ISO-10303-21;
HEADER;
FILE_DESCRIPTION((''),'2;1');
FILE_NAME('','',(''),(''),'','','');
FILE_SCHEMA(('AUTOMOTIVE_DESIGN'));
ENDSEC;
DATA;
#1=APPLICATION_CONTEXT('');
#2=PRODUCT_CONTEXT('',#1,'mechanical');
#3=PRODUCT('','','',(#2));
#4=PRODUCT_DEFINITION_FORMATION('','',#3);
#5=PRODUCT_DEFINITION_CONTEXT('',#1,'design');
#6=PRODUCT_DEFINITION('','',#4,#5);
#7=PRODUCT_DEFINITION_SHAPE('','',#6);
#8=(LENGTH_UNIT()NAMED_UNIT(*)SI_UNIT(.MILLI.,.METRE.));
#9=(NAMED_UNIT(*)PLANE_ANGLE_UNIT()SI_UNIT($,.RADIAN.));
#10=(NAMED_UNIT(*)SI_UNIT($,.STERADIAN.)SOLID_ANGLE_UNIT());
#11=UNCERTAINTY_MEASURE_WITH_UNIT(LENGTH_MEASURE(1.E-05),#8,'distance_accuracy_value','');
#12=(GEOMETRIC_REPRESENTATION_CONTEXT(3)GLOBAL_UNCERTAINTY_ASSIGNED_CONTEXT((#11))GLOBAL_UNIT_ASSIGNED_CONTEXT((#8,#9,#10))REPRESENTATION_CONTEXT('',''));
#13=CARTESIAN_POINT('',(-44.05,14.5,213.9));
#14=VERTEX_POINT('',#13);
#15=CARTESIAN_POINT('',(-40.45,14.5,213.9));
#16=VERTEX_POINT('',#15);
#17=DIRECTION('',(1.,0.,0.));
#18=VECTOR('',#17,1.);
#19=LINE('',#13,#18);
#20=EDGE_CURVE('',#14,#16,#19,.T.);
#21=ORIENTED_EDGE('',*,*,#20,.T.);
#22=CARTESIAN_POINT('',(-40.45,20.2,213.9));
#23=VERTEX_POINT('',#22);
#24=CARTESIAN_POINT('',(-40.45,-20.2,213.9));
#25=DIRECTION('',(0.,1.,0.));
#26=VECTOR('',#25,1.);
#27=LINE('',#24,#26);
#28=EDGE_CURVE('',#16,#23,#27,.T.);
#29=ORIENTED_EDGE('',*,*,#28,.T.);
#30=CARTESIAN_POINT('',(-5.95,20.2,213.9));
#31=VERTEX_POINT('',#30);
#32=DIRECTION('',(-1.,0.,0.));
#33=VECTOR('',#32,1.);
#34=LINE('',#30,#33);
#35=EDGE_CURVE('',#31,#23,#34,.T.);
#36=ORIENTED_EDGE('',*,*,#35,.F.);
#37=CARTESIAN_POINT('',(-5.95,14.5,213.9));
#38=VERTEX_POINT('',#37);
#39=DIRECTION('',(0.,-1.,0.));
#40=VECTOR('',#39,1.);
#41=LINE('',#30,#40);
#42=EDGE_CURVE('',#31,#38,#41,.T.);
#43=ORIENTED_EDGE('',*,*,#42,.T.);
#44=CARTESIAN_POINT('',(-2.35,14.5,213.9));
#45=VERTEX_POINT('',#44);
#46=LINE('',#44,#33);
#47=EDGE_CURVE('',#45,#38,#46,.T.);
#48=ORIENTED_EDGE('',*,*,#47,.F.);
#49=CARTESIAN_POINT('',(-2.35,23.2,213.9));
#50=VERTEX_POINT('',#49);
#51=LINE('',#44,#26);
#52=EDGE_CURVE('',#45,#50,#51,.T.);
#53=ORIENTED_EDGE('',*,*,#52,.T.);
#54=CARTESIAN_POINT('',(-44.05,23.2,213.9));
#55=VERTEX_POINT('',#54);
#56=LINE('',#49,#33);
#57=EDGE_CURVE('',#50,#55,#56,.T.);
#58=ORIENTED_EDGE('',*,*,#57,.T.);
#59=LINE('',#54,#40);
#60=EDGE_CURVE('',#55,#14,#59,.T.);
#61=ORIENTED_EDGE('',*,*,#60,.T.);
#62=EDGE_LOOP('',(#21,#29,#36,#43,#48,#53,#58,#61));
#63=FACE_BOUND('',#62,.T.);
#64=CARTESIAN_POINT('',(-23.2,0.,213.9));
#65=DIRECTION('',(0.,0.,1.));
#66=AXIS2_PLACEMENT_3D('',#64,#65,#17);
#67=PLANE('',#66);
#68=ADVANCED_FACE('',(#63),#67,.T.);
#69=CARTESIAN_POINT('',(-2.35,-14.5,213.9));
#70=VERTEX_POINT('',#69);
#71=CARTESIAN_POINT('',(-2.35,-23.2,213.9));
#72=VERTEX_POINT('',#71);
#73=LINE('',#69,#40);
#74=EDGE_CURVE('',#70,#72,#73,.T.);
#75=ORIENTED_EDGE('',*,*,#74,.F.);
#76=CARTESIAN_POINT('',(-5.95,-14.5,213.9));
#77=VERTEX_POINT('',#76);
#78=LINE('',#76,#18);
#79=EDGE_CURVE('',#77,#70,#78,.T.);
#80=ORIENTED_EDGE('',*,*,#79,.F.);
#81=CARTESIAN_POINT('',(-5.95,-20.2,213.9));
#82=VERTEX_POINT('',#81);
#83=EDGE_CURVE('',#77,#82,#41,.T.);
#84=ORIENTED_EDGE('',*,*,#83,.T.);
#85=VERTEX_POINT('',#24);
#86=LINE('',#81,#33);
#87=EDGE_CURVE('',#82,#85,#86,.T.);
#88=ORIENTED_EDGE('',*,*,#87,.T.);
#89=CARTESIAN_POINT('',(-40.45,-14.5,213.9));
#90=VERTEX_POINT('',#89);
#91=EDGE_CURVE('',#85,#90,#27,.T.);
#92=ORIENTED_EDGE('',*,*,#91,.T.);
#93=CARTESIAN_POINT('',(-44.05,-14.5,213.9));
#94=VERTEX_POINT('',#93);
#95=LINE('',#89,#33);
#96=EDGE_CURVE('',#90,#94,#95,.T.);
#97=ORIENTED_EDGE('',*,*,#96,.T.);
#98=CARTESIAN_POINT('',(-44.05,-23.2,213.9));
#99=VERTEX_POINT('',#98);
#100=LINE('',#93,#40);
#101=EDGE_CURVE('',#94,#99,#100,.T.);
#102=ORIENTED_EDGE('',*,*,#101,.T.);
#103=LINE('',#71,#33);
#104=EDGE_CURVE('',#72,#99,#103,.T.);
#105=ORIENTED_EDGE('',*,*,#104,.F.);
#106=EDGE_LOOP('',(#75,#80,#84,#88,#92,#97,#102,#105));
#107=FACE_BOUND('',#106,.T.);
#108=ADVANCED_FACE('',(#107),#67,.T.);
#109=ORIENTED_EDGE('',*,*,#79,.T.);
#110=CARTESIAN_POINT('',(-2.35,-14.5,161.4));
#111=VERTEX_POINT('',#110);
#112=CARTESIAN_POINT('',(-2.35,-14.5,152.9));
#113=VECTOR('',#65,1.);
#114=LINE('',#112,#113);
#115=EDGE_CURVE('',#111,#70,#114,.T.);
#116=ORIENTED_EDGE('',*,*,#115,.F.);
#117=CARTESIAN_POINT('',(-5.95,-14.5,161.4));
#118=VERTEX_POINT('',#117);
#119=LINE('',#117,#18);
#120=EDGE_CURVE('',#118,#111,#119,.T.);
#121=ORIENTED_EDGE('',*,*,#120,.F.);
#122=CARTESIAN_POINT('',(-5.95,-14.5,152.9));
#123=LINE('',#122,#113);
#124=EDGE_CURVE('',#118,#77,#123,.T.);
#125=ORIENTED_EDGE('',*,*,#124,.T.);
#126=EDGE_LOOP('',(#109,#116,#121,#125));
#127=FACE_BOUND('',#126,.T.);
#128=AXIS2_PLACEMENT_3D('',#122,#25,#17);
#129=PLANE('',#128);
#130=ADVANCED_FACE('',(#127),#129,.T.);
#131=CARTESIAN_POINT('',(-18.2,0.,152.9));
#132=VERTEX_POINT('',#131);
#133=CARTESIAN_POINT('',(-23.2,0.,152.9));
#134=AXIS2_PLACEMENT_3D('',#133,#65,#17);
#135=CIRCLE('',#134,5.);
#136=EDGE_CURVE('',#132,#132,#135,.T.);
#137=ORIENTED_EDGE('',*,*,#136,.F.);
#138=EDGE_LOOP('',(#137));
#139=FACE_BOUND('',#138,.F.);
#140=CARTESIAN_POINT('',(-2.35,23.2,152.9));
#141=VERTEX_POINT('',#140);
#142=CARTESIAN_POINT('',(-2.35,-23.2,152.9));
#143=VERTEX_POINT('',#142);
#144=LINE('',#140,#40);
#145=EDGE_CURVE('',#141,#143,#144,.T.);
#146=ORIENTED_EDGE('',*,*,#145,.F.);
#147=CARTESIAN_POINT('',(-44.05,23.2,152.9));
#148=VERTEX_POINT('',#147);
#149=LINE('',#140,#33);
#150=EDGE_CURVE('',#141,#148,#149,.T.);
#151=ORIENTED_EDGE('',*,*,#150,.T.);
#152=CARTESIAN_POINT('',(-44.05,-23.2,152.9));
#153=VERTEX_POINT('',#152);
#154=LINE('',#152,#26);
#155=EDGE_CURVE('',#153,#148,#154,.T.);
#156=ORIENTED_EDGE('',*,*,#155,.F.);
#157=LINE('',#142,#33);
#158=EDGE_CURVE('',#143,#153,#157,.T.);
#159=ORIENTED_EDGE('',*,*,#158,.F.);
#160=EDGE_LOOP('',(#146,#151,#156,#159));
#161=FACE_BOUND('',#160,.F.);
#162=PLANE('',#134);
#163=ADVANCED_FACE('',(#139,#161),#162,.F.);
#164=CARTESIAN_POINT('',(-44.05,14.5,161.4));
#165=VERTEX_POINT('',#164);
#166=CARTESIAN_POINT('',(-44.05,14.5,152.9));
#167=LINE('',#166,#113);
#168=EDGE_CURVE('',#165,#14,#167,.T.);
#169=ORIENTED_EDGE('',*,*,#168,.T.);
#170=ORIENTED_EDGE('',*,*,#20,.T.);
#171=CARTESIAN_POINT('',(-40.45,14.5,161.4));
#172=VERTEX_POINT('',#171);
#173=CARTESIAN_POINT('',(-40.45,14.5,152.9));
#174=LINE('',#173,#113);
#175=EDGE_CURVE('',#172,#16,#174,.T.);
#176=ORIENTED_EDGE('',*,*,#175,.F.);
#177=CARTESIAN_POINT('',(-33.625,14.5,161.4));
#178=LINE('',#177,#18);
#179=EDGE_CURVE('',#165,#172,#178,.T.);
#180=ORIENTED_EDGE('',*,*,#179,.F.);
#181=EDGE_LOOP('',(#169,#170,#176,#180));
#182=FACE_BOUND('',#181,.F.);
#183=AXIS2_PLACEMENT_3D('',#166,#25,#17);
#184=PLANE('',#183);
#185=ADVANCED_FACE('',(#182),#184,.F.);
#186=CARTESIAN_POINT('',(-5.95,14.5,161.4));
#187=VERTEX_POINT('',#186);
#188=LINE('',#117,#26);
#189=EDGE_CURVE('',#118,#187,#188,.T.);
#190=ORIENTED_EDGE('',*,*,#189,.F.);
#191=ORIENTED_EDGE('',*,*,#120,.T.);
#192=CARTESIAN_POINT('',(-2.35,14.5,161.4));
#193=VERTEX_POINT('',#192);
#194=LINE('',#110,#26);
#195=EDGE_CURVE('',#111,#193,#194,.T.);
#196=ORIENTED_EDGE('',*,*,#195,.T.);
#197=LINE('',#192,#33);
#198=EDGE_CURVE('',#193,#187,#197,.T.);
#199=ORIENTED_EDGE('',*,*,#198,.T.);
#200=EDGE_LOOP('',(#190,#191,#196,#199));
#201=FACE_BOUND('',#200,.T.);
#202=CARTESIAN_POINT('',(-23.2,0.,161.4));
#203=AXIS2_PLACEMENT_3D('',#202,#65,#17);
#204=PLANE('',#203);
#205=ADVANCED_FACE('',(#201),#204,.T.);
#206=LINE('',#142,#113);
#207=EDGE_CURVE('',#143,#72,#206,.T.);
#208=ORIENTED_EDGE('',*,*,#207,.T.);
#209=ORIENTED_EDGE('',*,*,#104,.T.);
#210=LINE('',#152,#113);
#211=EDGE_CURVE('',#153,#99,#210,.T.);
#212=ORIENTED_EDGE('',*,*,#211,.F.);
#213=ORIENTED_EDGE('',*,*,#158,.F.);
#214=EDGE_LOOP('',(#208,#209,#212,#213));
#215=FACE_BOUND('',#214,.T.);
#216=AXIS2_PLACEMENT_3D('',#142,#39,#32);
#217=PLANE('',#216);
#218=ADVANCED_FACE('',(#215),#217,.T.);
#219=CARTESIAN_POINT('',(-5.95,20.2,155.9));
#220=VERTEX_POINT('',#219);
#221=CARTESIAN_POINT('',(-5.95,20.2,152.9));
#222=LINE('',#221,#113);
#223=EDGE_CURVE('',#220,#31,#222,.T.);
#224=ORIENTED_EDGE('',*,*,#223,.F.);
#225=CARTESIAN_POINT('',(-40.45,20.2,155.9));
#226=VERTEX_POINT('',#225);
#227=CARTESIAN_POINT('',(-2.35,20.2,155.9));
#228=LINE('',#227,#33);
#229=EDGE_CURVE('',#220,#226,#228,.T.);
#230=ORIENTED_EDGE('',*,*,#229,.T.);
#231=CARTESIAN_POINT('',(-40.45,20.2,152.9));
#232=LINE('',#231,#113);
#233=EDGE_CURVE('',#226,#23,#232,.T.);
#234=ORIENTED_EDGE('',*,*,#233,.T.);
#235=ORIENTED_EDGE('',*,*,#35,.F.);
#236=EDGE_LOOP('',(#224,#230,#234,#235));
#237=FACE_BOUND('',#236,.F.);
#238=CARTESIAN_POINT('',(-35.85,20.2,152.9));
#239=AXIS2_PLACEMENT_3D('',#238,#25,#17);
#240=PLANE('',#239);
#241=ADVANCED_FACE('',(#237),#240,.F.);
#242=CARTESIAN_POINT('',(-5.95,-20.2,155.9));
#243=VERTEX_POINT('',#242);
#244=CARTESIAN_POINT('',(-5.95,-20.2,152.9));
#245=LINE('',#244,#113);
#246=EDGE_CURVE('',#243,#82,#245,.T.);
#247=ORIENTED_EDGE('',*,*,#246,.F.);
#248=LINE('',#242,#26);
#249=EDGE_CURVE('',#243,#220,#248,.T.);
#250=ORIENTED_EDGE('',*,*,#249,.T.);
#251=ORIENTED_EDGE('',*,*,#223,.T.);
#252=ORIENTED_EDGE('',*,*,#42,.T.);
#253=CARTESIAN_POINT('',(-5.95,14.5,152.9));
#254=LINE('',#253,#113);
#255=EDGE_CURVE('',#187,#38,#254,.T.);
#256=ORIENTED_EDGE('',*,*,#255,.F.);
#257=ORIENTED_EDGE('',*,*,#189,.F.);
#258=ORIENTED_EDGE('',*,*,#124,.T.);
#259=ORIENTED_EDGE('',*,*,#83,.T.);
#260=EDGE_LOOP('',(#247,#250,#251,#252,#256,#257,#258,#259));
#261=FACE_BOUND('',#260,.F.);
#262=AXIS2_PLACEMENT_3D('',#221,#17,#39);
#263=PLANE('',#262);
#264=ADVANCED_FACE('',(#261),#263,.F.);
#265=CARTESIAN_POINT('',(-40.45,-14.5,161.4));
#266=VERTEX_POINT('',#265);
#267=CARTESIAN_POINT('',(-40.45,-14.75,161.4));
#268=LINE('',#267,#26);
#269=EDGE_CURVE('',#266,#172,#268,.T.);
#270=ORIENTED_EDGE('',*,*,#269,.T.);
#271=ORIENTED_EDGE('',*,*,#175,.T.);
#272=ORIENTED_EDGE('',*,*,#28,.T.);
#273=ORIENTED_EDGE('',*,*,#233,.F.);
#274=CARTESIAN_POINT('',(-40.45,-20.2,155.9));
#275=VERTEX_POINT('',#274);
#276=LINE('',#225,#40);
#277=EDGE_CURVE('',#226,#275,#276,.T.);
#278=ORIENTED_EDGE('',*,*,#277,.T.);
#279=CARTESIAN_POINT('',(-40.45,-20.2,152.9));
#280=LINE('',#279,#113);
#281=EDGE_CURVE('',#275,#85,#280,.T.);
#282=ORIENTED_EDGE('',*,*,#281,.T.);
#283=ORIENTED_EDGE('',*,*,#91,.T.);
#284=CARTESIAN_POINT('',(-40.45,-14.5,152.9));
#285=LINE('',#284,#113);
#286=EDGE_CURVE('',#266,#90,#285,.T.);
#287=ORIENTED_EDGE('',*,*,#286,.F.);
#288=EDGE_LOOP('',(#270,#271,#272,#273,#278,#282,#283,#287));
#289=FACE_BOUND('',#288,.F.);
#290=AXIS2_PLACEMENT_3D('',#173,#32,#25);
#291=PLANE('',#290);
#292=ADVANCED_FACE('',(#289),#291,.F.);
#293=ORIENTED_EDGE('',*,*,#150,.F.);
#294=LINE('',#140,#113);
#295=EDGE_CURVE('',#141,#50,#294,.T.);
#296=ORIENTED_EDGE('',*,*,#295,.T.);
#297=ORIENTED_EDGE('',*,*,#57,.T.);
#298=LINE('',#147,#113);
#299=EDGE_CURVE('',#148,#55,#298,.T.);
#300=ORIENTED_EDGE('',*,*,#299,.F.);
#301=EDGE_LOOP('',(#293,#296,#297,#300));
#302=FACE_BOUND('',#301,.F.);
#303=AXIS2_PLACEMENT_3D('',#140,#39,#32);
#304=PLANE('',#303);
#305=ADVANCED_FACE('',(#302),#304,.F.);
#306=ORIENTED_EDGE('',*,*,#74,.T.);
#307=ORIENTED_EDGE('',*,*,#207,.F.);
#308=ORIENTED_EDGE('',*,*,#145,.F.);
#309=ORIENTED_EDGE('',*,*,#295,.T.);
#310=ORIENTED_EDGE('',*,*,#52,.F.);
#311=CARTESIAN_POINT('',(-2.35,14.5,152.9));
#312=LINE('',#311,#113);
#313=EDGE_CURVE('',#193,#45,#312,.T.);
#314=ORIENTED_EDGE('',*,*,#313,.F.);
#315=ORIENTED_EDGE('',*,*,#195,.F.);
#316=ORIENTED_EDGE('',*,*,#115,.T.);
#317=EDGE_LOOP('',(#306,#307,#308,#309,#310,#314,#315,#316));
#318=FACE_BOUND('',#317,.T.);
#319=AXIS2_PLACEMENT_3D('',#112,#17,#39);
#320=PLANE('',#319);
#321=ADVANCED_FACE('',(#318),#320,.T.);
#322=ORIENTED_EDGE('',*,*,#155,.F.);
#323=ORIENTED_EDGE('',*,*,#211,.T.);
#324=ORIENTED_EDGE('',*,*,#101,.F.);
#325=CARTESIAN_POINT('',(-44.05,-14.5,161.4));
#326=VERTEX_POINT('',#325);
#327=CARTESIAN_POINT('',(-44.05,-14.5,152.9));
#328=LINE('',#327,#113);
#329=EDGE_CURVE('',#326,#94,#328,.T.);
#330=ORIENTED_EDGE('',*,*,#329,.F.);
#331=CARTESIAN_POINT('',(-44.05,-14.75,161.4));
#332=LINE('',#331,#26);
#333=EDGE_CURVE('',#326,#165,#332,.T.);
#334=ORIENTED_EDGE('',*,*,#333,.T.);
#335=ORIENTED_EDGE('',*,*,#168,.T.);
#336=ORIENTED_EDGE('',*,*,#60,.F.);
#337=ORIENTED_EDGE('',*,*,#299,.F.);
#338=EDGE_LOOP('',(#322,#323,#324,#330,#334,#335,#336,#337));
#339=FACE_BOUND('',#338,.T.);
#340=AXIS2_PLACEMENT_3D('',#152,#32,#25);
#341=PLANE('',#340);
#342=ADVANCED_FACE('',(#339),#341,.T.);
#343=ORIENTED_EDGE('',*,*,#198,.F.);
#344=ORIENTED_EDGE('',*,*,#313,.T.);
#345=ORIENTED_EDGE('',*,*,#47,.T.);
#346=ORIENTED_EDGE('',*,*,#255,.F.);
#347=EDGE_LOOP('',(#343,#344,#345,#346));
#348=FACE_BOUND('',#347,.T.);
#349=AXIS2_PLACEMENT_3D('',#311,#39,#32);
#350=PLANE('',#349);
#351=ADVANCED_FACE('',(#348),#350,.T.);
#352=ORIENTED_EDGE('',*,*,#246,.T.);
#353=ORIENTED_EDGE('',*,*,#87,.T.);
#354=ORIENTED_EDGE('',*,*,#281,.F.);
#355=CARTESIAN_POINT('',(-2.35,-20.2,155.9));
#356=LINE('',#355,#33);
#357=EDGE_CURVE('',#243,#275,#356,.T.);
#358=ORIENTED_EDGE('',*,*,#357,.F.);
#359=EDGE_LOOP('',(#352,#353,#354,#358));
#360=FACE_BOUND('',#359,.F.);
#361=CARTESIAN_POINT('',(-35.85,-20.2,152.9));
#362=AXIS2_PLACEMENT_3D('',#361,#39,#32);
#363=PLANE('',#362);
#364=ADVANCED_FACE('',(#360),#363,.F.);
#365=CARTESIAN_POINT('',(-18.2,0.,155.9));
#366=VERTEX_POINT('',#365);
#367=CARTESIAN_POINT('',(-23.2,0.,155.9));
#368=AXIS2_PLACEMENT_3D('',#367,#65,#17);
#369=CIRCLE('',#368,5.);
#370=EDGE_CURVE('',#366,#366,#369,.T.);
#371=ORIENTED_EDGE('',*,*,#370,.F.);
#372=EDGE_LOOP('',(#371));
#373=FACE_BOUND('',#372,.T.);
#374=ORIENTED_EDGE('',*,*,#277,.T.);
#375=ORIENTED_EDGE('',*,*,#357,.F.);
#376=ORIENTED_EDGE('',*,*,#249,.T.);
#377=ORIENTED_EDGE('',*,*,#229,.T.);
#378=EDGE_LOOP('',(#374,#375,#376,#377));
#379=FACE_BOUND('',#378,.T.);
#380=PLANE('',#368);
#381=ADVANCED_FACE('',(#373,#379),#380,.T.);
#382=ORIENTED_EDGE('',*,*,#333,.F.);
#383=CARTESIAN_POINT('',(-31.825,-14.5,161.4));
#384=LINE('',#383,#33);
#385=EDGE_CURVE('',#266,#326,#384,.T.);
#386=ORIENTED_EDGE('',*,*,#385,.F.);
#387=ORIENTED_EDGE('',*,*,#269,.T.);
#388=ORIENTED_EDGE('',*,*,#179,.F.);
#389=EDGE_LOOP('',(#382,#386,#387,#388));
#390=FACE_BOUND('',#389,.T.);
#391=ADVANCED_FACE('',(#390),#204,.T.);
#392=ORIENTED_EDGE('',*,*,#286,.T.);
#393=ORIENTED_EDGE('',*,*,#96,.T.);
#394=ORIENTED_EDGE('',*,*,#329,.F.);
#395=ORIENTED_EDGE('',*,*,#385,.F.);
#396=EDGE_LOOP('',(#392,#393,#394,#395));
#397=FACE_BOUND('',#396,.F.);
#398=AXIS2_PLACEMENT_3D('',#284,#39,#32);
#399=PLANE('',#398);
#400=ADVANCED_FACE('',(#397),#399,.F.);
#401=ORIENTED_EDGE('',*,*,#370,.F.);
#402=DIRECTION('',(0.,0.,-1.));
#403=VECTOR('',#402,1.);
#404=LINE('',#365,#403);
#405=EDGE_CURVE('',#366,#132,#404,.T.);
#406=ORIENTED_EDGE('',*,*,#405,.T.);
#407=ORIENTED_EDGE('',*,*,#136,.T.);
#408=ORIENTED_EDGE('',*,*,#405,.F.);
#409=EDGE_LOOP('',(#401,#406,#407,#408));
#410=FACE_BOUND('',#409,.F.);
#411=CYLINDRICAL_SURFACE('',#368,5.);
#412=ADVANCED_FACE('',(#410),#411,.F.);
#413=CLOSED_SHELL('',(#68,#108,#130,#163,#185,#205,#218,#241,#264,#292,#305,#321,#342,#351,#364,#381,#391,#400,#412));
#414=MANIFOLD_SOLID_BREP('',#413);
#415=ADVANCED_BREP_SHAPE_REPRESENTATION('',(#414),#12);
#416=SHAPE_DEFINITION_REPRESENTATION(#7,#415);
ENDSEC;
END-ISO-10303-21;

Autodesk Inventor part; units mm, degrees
ref_plane "XZ Plane" through (0, 0, 0) normal (0, 1, 0) x (-1, 0, 0)
ref_plane "XY Plane" through (0, 0, 0) normal (0, 0, 1) x (1, 0, 0)
ref_plane "작업 평면10" through (-23.2, 0, 152.9) normal (0, 0, 1) x (1, 0, 0)
sketch "스케치8" plane through (-23.2, 0, 152.9) normal (0, 0, 1) x (1, 0, 0)
  line L0 (17.25, -20.2) -> (-17.25, -20.2)
  line L1 (-17.25, -20.2) -> (-17.25, 20.2)
  line L2 (-17.25, 20.2) -> (17.25, 20.2)
  line L3 (17.25, 20.2) -> (17.25, -20.2)
  circle A0 centre (0, 0) radius 2 projected
  line L4 (-17.25, -20.2) -> (-12.65, -20.2)
  line L5 (-12.65, 20.2) -> (-17.25, 20.2)
  line L6 (-17.25, 20.2) -> (-17.25, -20.2)
  line L7 (17.25, -20.2) -> (12.65, -20.2)
  line L8 (12.65, -20.2) -> (12.65, 20.2)
  line L9 (12.65, 20.2) -> (17.25, 20.2)
  line L10 (17.25, 20.2) -> (17.25, -20.2)
  line L11 (17.25, 20.2) -> (20.85, 20.2)
  line L12 (20.85, 20.2) -> (20.85, -20.2)
  line L13 (20.85, -20.2) -> (17.25, -20.2)
  line L14 (17.25, -20.2) -> (17.25, 20.2)
  line L15 (-17.25, 20.2) -> (-12.65, 20.2)
  line L16 (-12.65, 20.2) -> (-12.65, -20.2)
  line L17 (-12.65, -20.2) -> (-17.25, -20.2)
  line L18 (-17.25, -20.2) -> (-17.25, 20.2)
  line L19 (-17.25, 20.2) -> (-20.85, 20.2)
  line L20 (-20.85, 20.2) -> (-20.85, -20.2)
  line L21 (-17.25, -20.2) -> (-17.25, 20.2)
  line L22 (20.85, 14.5) -> (17.25, 14.5)
  line L23 (17.25, 14.5) -> (17.25, -14.5)
  line L24 (17.25, -14.5) -> (20.85, -14.5)
  line L25 (20.85, -14.5) -> (20.85, 14.5)
  line L26 (0, -20.2) -> (0, 20.2) construction
  line L27 (-17.25, 20.2) -> (-17.25, -20.2)
  circle A1 centre (0, 0) radius 2
  line L28 (-17.25, -20.2) -> (-12.65, -20.2)
  line L29 (-12.65, -20.2) -> (-12.65, 20.2)
  line L30 (-12.65, 20.2) -> (-17.25, 20.2)
  line L31 (-17.25, 20.2) -> (-17.25, -20.2)
  line L32 (-17.25, 20.2) -> (-20.85, 20.2)
  line L33 (-20.85, 20.2) -> (-20.85, -20.2)
  line L34 (-17.25, -20.2) -> (-17.25, 20.2)
  line L35 (-20.85, 14.5) -> (-17.25, 14.5)
  line L36 (-17.25, 14.5) -> (-17.25, -14.5)
  line L37 (-17.25, -14.5) -> (-20.85, -14.5)
  line L38 (-20.85, -14.5) -> (-20.85, 14.5)
  line L39 (-20.85, 20.2) -> (20.85, 20.2)
  line L40 (20.85, 20.2) -> (20.85, 23.2)
  line L41 (20.85, 23.2) -> (-20.85, 23.2)
  line L42 (-20.85, 23.2) -> (-20.85, 20.2)
  line L43 (-17.25, -20.2) -> (-20.85, -20.2)
  line L44 (-20.85, -20.2) -> (20.85, -20.2)
  line L45 (20.85, -20.2) -> (20.85, -23.2)
  line L46 (20.85, -23.2) -> (-20.85, -23.2)
  line L47 (-20.85, -23.2) -> (-20.85, -20.2)
  point P0 (23.2, 0)
  point P1 (-17.25, 0)
  point P2 (20.85, 0)
  point P3 (-23.2, 0)
  point P4 (-20.85, 0)
  point P5 (17.25, 14.5)
  point P6 (20.85, -14.5)
  point P7 (17.25, -14.5)
  point P8 (-17.25, -14.5)
  point P9 (-20.85, -14.5)
  point P10 (-20.85, 14.5)
  point P11 (-17.25, 14.5)
  point P12 (-17.25, 20.2)
  point P13 (20.85, 20.2)
  point P14 (-17.25, 14.5)
  point P15 (-17.25, -14.5)
  point P16 (-20.85, -14.5)
  dimension "d27" = 34.5
  dimension "d30" = 4.6
  dimension "d33" = 29
  dimension "d34" = 40.4
  dimension "d48" = 3
  dimension "d53" = 3
extrude "돌출7" add sketch "스케치8" along normal blind 3 contours L0 L8 L2 L3 | L3 L24 L12 L13 | L0 L16 L2 L8 | L3 L22 L12 L24 | L0 L1 L2 L16 | L3 L11 L12 L22 | L43 L20 L37 L1 | L37 L20 L35 L1 | L1 L35 L20 L19
extrude "돌출8" add sketch "스케치8" along normal blind 61 contours L13 L45 L46 L47 L43 L0 | L3 L24 L12 L13 | L2 L19 L42 L41 L40 L11 | L3 L11 L12 L22 | L43 L20 L37 L1 | L1 L35 L20 L19
ref_plane "작업 평면3" through (-23.2, 0, 0) normal (1, 0, 0) x (0, 1, 0)
sketch "스케치10" plane through (-23.2, 0, 155.9) normal (0, 0, 1) x (1, 0, 0)
  line L0 (-17.25, -14.5) -> (-17.25, -20.2) projected
  line L1 (-17.25, -20.2) -> (17.25, -20.2) projected
  line L2 (17.25, -20.2) -> (17.25, -14.5) projected
  line L3 (17.25, -14.5) -> (20.85, -14.5) projected
  line L4 (20.85, -14.5) -> (20.85, 14.5) projected
  line L5 (20.85, 14.5) -> (17.25, 14.5) projected
  line L6 (17.25, 14.5) -> (17.25, 20.2) projected
  line L7 (17.25, 20.2) -> (-17.25, 20.2) projected
  circle A0 centre (0, 0) radius 2 projected
  line L8 (-20.85, -14.75) -> (-17.25, -14.75)
  line L9 (-17.25, -14.75) -> (-17.25, 14.75)
  line L10 (-17.25, 14.75) -> (-20.85, 14.75)
  line L11 (-20.85, 14.75) -> (-20.85, -14.75)
  line L12 (20.85, -14.5) -> (17.25, -14.5)
  line L13 (17.25, -14.5) -> (17.25, 14.5)
  line L14 (17.25, 14.5) -> (20.85, 14.5)
  line L15 (20.85, 14.5) -> (20.85, -14.5)
  line L16 (-17.25, 20.2) -> (-17.25, 14.5) projected
  line L17 (-17.25, 14.5) -> (-20.85, 14.5) projected
  line L18 (-20.85, 14.5) -> (-20.85, -14.5) projected
  line L19 (-20.85, -14.5) -> (-17.25, -14.5) projected
  point P0 (23.2, 0)
extrude "돌출10" add sketch "스케치10" along normal blind 5.5 contours L19 L11 L17 L9 | L0 L8 L11 L19 | L17 L11 L10 L9 | L13 L5 L4 L3
sketch "스케치11" plane through (-23.2, 0, 155.9) normal (0, 0, 1) x (1, 0, 0)
  circle A0 centre (0, 0) radius 5
  point P0 (23.2, 0)
  dimension "d54" = 10
extrude "돌출11" cut sketch "스케치11" against normal blind 5.5
properties part number "ARM_1 SKETCH"
